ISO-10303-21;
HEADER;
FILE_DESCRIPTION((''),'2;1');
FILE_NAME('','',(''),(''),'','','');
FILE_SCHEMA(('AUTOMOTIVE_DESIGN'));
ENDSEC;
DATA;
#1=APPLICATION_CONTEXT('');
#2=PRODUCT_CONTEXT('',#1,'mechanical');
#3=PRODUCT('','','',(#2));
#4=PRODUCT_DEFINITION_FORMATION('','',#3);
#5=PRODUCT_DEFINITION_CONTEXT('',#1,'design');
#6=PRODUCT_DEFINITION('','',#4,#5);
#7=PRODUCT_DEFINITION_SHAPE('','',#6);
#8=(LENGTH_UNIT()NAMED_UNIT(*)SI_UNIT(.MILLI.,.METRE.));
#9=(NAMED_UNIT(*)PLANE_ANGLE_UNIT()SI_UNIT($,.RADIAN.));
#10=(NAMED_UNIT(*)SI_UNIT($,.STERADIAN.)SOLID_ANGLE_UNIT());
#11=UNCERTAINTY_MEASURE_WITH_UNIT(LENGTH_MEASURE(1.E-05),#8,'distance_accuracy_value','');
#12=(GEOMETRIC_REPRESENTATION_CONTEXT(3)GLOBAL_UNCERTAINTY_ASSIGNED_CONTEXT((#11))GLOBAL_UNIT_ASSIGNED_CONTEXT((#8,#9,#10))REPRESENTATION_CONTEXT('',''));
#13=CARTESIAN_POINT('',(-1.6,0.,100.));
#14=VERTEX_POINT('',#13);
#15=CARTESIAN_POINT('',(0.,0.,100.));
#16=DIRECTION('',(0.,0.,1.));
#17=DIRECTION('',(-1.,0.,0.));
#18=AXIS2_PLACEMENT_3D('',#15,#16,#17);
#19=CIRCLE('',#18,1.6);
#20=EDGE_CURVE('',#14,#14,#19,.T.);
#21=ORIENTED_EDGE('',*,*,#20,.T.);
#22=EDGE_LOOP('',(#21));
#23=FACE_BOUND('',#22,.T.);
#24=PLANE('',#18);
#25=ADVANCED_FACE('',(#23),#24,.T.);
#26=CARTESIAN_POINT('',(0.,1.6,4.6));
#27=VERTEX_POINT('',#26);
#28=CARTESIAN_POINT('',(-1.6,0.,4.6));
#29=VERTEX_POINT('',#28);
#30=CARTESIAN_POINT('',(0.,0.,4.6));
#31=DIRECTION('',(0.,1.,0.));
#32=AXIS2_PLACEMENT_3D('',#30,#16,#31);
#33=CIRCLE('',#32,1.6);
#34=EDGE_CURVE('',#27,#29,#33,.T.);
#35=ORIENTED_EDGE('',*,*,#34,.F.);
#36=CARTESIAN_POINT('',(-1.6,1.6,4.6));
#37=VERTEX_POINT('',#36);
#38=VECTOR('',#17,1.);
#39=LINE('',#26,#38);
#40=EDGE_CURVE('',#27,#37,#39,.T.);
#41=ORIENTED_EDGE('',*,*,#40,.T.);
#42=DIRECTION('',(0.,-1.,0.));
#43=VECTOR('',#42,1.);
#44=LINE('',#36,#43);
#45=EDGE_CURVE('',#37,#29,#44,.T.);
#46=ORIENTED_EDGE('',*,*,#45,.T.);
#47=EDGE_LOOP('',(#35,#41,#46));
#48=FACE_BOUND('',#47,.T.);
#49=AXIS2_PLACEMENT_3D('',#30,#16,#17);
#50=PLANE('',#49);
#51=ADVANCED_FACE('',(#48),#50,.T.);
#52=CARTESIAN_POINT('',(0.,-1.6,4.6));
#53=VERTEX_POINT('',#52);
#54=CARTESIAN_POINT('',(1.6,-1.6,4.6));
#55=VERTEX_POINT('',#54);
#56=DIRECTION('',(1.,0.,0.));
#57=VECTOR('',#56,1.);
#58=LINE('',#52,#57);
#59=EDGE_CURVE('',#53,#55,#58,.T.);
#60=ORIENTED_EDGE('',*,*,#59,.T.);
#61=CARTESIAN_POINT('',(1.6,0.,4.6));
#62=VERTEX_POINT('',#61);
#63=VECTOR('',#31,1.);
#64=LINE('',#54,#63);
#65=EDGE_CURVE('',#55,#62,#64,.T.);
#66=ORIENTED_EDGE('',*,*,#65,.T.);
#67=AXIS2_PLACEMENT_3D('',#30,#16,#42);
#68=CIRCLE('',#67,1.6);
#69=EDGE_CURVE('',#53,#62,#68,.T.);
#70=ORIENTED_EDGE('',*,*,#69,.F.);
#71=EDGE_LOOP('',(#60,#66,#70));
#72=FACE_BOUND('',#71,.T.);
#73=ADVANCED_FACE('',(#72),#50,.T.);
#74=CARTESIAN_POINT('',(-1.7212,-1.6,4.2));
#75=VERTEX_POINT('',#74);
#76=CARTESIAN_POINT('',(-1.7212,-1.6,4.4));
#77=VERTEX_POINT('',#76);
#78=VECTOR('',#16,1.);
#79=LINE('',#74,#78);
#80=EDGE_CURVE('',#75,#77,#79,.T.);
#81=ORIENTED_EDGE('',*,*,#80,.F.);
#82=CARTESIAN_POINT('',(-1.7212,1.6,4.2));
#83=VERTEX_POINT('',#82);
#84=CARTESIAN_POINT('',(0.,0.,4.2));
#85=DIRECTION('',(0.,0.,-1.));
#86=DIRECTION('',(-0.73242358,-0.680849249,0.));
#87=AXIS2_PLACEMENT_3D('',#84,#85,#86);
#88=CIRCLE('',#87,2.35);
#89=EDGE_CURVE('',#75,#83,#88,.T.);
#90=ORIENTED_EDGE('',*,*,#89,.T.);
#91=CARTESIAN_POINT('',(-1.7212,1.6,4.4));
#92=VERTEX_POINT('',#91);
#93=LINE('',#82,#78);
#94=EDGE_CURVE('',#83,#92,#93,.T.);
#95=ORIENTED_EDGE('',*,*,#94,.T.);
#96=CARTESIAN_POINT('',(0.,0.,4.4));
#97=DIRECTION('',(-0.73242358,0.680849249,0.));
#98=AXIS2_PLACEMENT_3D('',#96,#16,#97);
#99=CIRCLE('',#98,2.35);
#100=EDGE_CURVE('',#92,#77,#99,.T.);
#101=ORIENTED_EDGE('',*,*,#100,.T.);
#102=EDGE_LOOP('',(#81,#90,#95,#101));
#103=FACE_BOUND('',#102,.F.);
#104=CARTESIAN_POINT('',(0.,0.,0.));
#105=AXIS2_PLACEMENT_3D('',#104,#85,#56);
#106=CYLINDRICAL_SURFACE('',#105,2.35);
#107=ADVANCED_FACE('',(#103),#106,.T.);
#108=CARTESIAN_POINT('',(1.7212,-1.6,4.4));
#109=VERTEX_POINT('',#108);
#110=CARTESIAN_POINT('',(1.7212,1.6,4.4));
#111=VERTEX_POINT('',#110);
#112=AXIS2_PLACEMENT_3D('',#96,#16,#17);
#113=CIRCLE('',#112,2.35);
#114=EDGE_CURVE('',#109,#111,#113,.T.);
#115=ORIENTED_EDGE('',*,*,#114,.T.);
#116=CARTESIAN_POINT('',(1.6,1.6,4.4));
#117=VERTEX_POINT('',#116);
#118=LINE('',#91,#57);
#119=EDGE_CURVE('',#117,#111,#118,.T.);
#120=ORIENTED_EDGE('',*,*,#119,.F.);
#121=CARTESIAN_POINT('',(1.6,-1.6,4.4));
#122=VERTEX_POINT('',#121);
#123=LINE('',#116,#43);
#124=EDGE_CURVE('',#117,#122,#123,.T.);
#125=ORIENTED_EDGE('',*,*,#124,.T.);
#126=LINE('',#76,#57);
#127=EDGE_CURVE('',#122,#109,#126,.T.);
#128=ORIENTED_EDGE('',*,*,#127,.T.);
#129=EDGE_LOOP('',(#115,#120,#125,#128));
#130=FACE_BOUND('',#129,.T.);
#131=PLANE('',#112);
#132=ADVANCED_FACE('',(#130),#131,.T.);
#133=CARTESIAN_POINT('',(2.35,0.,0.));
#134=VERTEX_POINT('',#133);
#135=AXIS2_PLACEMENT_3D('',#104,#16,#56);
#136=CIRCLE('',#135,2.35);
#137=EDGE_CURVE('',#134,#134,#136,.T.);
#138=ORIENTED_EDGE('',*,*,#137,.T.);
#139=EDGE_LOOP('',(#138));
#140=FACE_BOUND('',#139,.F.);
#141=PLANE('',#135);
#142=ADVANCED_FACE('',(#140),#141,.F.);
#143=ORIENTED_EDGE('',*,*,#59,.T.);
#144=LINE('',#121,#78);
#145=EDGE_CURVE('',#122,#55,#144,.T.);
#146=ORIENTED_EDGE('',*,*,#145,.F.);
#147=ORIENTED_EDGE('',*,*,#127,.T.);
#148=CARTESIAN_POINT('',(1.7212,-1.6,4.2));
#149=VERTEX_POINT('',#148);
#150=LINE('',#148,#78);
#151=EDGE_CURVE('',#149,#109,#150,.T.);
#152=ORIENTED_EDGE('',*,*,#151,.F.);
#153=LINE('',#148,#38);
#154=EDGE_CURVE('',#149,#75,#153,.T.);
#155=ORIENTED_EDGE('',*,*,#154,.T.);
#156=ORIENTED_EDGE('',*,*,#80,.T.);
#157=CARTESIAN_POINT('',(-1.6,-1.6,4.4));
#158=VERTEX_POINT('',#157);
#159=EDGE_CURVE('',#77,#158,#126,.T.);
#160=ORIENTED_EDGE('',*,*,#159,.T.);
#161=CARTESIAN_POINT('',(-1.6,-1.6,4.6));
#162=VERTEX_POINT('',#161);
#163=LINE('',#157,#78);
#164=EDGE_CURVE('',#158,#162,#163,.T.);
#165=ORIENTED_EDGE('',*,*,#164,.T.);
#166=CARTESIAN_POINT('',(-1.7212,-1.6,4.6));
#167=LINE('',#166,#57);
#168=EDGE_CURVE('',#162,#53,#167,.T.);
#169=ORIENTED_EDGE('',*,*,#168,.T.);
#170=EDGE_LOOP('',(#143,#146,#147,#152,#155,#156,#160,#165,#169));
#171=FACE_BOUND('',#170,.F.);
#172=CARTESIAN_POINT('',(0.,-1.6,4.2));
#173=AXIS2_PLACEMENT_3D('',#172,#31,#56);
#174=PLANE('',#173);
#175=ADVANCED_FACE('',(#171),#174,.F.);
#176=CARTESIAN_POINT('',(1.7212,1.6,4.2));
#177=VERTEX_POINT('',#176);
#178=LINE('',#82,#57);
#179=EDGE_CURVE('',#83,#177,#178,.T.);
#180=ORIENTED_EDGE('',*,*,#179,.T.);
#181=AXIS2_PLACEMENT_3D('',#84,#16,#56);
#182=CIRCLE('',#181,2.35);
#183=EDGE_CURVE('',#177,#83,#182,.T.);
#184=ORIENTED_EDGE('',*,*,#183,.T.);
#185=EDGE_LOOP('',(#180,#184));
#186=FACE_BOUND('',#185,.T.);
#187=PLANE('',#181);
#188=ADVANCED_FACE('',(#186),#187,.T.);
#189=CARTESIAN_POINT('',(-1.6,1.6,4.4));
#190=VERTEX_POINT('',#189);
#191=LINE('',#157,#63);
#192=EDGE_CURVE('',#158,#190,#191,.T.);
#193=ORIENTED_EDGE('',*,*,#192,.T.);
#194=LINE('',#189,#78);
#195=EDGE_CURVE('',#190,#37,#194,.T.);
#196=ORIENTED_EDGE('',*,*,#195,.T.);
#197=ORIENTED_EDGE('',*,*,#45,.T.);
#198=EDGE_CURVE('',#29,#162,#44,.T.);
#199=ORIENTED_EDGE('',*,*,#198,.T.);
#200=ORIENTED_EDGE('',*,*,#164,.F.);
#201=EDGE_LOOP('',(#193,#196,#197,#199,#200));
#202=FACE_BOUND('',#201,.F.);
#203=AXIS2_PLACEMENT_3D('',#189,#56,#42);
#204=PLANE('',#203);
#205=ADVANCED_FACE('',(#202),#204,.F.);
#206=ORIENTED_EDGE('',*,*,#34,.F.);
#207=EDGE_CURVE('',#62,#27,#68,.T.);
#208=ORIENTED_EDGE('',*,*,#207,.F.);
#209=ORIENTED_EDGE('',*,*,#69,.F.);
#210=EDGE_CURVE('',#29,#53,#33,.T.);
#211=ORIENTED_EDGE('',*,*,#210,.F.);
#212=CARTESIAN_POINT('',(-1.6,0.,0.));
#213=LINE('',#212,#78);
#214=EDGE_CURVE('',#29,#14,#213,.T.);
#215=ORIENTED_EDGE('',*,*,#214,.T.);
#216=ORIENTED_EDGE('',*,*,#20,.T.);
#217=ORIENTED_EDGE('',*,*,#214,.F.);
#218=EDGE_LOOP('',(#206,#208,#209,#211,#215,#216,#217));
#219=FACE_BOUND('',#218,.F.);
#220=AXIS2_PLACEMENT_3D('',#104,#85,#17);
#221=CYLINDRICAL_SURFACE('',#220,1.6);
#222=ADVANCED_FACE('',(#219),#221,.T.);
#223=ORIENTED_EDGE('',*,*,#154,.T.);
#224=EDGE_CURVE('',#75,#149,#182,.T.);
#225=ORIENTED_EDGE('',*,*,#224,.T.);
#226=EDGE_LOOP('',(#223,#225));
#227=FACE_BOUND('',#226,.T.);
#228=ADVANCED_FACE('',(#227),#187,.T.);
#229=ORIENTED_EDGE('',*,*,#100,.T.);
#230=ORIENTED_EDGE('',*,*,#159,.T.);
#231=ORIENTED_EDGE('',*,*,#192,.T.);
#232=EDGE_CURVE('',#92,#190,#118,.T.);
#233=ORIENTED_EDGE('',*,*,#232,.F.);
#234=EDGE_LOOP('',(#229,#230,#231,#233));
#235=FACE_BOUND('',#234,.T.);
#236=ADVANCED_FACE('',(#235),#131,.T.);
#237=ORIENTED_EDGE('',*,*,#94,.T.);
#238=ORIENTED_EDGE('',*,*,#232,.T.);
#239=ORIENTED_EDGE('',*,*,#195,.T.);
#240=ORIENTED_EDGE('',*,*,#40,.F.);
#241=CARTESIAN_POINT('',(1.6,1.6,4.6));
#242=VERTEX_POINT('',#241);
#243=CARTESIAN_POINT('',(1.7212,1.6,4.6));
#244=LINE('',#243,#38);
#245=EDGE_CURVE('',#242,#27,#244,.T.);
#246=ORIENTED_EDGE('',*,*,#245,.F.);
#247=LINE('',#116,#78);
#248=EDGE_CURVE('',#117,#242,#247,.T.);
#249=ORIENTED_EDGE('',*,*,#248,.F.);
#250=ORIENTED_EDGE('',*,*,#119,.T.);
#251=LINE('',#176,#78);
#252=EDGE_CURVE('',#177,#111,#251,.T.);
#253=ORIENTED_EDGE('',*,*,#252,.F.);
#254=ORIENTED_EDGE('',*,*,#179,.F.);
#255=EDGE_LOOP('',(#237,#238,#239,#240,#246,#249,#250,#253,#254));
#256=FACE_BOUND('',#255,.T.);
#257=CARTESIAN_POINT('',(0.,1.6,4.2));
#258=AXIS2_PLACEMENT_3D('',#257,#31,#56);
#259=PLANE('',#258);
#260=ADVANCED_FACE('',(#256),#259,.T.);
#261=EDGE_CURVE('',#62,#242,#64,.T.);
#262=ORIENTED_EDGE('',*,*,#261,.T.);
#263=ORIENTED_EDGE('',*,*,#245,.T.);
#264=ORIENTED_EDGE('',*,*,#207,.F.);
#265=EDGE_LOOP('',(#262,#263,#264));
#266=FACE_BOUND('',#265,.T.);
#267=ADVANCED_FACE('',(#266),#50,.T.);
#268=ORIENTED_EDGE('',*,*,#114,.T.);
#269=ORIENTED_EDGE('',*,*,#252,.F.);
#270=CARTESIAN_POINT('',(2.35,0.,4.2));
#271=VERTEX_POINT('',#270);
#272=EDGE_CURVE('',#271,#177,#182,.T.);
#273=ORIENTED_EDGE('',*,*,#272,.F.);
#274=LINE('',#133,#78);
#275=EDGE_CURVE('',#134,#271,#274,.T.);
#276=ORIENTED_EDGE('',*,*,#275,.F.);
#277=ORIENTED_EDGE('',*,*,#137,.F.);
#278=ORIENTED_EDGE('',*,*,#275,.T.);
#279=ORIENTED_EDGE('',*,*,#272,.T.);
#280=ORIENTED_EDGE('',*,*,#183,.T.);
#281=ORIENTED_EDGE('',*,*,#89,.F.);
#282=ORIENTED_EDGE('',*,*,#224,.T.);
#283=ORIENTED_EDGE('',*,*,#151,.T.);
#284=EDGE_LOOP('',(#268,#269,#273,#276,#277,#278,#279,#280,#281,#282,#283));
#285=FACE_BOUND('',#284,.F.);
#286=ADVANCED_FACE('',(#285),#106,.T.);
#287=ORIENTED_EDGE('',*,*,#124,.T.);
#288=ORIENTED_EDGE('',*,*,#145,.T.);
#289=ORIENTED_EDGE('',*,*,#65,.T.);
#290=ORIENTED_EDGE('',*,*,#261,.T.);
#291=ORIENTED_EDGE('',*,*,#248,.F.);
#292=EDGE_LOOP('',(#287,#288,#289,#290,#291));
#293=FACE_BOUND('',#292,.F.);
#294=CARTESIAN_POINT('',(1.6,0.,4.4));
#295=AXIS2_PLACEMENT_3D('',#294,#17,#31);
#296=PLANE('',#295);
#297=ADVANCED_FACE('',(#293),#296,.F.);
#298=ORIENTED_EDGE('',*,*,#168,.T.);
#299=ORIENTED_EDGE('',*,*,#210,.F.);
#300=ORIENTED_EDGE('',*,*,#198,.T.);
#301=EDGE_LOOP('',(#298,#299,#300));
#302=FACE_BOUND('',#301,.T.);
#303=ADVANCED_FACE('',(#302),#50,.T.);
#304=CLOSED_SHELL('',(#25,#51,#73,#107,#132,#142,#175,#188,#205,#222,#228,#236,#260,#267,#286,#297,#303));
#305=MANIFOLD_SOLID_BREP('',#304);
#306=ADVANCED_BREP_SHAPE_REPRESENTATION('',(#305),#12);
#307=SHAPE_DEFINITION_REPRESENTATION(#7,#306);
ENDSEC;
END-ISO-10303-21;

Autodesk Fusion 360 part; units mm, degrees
sketch "Sketch1" plane through (0, 0, 0) normal (0, 0, 1) x (1, 0, 0)
  circle A0 centre (0, 0) radius 2.35
  dimension "d1" = 4.7
extrude "Extrude1" add sketch "Sketch1" along normal blind 4.2
sketch "Sketch2" plane through (0, 0, 4.2) normal (0, 0, 1) x (-1, 0, 0)
  circle A0 centre (0, 0) radius 2.35
  circle A1 centre (0, 0) radius 1.6
  dimension "d4" = 3.2
extrude "Extrude2" add sketch "Sketch2" along normal blind 100 from surface at -4.2 contours A1
sketch "Sketch3" plane through (0, 0, 4.2) normal (0, 0, 1) x (-1, 0, 0)
  circle A0 centre (0, 0) radius 1.6
  circle A1 centre (0, 0) radius 2.35
  line L0 (1.7212, -1.6) -> (-1.7212, -1.6)
  line L1 (1.7212, 1.6) -> (-1.7212, 1.6)
extrude "Extrude3" add sketch "Sketch3" along normal blind 0.2 contours A0 A1 L0 L1 | A0 A1 L0 L1
sketch "Sketch4" plane through (0, 0, 4.4) normal (0, 0, 1) x (-1, 0, 0)
  arc A0 (1.7212, -1.6) -> (1.7212, 1.6) centre (0, 0) ccw
  line L0 (1.7212, 1.6) -> (0, 1.6)
  arc A1 (0, -1.6) -> (0, 1.6) centre (0, 0) ccw
  line L1 (0, -1.6) -> (1.7212, -1.6)
  line L2 (0, 1.6) -> (-1.7212, 1.6)
  arc A2 (-1.7212, 1.6) -> (-1.7212, -1.6) centre (0, 0) ccw
  line L3 (-1.7212, -1.6) -> (0, -1.6)
  arc A3 (0, 1.6) -> (0, -1.6) centre (0, 0) ccw
  line L4 (1.6, -1.6) -> (1.6, 1.6)
  line L5 (-1.6, 1.6) -> (-1.6, -1.6)
extrude "Extrude4" add sketch "Sketch4" along normal blind 0.2 contours A1 L1 L4 | L0 A1 L4 | L3 A3 L5 | L2 A3 L5
